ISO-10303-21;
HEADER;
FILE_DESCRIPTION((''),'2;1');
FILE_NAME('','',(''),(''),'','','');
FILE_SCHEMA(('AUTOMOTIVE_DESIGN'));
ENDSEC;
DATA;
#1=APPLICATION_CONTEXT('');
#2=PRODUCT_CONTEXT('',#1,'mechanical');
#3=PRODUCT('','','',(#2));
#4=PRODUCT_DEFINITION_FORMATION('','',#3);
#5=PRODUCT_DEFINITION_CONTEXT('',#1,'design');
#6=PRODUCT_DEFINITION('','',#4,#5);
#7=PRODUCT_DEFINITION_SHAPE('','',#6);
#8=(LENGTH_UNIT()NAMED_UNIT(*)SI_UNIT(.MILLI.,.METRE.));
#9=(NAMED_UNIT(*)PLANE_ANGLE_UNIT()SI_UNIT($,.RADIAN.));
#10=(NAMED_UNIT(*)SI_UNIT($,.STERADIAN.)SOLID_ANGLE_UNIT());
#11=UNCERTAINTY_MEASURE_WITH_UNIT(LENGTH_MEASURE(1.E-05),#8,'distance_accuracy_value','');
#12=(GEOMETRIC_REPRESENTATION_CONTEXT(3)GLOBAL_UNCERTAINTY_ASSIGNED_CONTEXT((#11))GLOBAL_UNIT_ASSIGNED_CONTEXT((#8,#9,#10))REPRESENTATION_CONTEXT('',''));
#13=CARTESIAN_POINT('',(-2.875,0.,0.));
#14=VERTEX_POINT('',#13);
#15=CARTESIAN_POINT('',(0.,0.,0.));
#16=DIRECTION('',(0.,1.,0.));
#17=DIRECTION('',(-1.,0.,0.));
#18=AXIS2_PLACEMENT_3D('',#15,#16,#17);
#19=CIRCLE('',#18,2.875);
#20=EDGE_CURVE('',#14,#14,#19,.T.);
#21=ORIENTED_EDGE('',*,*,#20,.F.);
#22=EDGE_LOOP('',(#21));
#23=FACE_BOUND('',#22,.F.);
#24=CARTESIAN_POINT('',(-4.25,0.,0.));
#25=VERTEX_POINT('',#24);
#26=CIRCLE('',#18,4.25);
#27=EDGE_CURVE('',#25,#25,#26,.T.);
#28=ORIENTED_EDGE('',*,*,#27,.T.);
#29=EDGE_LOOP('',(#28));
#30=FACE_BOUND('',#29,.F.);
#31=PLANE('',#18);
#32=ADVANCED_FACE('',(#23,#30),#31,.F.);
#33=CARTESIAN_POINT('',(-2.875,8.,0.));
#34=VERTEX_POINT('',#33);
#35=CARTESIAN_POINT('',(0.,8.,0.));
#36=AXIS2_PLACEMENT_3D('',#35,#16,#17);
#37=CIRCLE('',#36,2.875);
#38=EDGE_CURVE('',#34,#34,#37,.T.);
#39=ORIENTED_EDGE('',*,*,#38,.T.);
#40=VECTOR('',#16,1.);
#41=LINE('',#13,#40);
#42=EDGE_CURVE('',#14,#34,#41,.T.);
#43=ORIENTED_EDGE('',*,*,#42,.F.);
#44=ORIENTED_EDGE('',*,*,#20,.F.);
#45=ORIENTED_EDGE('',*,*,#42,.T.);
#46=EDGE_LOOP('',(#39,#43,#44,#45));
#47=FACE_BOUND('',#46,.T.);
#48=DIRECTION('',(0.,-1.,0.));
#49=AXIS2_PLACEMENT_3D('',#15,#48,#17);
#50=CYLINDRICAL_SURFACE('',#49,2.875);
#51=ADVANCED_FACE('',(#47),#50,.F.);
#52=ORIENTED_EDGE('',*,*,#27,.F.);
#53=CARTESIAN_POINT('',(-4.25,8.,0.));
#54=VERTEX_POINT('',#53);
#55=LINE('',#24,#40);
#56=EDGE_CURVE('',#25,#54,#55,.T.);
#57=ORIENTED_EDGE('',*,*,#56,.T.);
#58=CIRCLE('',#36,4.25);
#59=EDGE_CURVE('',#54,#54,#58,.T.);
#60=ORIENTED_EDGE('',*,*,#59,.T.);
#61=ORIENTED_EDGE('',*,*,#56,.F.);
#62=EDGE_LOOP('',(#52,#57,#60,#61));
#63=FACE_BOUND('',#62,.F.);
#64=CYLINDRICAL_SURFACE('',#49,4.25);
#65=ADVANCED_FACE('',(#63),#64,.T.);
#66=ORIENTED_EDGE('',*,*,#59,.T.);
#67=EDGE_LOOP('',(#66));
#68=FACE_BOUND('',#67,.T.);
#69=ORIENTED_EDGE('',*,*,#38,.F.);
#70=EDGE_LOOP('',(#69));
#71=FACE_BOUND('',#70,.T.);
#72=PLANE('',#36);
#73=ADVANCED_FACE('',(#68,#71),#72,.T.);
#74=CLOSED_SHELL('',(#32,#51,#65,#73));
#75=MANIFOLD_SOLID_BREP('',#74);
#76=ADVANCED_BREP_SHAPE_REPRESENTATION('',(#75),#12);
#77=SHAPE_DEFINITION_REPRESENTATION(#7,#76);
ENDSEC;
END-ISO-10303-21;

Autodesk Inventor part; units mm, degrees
ref_plane "YZ Plane" through (0, 0, 0) normal (1, 0, 0) x (0, 1, 0)
ref_plane "XZ Plane" through (0, 0, 0) normal (0, 1, 0) x (-1, 0, 0)
ref_plane "XY Plane" through (0, 0, 0) normal (0, 0, 1) x (1, 0, 0)
sketch "Sketch1" plane through (0, 0, 0) normal (0, 1, 0) x (-1, 0, 0)
  circle A0 centre (0, 0) radius 2.875
  line L0 (0, 0) -> (5.12, 0) construction
  circle A1 centre (0, 0) radius 4.25
  dimension "d0" = 5.75
  dimension "d3" = 8.5
extrude "Extrusion1" add sketch "Sketch1" along normal blind 8
properties part number "Sensor Cover 6mm"
